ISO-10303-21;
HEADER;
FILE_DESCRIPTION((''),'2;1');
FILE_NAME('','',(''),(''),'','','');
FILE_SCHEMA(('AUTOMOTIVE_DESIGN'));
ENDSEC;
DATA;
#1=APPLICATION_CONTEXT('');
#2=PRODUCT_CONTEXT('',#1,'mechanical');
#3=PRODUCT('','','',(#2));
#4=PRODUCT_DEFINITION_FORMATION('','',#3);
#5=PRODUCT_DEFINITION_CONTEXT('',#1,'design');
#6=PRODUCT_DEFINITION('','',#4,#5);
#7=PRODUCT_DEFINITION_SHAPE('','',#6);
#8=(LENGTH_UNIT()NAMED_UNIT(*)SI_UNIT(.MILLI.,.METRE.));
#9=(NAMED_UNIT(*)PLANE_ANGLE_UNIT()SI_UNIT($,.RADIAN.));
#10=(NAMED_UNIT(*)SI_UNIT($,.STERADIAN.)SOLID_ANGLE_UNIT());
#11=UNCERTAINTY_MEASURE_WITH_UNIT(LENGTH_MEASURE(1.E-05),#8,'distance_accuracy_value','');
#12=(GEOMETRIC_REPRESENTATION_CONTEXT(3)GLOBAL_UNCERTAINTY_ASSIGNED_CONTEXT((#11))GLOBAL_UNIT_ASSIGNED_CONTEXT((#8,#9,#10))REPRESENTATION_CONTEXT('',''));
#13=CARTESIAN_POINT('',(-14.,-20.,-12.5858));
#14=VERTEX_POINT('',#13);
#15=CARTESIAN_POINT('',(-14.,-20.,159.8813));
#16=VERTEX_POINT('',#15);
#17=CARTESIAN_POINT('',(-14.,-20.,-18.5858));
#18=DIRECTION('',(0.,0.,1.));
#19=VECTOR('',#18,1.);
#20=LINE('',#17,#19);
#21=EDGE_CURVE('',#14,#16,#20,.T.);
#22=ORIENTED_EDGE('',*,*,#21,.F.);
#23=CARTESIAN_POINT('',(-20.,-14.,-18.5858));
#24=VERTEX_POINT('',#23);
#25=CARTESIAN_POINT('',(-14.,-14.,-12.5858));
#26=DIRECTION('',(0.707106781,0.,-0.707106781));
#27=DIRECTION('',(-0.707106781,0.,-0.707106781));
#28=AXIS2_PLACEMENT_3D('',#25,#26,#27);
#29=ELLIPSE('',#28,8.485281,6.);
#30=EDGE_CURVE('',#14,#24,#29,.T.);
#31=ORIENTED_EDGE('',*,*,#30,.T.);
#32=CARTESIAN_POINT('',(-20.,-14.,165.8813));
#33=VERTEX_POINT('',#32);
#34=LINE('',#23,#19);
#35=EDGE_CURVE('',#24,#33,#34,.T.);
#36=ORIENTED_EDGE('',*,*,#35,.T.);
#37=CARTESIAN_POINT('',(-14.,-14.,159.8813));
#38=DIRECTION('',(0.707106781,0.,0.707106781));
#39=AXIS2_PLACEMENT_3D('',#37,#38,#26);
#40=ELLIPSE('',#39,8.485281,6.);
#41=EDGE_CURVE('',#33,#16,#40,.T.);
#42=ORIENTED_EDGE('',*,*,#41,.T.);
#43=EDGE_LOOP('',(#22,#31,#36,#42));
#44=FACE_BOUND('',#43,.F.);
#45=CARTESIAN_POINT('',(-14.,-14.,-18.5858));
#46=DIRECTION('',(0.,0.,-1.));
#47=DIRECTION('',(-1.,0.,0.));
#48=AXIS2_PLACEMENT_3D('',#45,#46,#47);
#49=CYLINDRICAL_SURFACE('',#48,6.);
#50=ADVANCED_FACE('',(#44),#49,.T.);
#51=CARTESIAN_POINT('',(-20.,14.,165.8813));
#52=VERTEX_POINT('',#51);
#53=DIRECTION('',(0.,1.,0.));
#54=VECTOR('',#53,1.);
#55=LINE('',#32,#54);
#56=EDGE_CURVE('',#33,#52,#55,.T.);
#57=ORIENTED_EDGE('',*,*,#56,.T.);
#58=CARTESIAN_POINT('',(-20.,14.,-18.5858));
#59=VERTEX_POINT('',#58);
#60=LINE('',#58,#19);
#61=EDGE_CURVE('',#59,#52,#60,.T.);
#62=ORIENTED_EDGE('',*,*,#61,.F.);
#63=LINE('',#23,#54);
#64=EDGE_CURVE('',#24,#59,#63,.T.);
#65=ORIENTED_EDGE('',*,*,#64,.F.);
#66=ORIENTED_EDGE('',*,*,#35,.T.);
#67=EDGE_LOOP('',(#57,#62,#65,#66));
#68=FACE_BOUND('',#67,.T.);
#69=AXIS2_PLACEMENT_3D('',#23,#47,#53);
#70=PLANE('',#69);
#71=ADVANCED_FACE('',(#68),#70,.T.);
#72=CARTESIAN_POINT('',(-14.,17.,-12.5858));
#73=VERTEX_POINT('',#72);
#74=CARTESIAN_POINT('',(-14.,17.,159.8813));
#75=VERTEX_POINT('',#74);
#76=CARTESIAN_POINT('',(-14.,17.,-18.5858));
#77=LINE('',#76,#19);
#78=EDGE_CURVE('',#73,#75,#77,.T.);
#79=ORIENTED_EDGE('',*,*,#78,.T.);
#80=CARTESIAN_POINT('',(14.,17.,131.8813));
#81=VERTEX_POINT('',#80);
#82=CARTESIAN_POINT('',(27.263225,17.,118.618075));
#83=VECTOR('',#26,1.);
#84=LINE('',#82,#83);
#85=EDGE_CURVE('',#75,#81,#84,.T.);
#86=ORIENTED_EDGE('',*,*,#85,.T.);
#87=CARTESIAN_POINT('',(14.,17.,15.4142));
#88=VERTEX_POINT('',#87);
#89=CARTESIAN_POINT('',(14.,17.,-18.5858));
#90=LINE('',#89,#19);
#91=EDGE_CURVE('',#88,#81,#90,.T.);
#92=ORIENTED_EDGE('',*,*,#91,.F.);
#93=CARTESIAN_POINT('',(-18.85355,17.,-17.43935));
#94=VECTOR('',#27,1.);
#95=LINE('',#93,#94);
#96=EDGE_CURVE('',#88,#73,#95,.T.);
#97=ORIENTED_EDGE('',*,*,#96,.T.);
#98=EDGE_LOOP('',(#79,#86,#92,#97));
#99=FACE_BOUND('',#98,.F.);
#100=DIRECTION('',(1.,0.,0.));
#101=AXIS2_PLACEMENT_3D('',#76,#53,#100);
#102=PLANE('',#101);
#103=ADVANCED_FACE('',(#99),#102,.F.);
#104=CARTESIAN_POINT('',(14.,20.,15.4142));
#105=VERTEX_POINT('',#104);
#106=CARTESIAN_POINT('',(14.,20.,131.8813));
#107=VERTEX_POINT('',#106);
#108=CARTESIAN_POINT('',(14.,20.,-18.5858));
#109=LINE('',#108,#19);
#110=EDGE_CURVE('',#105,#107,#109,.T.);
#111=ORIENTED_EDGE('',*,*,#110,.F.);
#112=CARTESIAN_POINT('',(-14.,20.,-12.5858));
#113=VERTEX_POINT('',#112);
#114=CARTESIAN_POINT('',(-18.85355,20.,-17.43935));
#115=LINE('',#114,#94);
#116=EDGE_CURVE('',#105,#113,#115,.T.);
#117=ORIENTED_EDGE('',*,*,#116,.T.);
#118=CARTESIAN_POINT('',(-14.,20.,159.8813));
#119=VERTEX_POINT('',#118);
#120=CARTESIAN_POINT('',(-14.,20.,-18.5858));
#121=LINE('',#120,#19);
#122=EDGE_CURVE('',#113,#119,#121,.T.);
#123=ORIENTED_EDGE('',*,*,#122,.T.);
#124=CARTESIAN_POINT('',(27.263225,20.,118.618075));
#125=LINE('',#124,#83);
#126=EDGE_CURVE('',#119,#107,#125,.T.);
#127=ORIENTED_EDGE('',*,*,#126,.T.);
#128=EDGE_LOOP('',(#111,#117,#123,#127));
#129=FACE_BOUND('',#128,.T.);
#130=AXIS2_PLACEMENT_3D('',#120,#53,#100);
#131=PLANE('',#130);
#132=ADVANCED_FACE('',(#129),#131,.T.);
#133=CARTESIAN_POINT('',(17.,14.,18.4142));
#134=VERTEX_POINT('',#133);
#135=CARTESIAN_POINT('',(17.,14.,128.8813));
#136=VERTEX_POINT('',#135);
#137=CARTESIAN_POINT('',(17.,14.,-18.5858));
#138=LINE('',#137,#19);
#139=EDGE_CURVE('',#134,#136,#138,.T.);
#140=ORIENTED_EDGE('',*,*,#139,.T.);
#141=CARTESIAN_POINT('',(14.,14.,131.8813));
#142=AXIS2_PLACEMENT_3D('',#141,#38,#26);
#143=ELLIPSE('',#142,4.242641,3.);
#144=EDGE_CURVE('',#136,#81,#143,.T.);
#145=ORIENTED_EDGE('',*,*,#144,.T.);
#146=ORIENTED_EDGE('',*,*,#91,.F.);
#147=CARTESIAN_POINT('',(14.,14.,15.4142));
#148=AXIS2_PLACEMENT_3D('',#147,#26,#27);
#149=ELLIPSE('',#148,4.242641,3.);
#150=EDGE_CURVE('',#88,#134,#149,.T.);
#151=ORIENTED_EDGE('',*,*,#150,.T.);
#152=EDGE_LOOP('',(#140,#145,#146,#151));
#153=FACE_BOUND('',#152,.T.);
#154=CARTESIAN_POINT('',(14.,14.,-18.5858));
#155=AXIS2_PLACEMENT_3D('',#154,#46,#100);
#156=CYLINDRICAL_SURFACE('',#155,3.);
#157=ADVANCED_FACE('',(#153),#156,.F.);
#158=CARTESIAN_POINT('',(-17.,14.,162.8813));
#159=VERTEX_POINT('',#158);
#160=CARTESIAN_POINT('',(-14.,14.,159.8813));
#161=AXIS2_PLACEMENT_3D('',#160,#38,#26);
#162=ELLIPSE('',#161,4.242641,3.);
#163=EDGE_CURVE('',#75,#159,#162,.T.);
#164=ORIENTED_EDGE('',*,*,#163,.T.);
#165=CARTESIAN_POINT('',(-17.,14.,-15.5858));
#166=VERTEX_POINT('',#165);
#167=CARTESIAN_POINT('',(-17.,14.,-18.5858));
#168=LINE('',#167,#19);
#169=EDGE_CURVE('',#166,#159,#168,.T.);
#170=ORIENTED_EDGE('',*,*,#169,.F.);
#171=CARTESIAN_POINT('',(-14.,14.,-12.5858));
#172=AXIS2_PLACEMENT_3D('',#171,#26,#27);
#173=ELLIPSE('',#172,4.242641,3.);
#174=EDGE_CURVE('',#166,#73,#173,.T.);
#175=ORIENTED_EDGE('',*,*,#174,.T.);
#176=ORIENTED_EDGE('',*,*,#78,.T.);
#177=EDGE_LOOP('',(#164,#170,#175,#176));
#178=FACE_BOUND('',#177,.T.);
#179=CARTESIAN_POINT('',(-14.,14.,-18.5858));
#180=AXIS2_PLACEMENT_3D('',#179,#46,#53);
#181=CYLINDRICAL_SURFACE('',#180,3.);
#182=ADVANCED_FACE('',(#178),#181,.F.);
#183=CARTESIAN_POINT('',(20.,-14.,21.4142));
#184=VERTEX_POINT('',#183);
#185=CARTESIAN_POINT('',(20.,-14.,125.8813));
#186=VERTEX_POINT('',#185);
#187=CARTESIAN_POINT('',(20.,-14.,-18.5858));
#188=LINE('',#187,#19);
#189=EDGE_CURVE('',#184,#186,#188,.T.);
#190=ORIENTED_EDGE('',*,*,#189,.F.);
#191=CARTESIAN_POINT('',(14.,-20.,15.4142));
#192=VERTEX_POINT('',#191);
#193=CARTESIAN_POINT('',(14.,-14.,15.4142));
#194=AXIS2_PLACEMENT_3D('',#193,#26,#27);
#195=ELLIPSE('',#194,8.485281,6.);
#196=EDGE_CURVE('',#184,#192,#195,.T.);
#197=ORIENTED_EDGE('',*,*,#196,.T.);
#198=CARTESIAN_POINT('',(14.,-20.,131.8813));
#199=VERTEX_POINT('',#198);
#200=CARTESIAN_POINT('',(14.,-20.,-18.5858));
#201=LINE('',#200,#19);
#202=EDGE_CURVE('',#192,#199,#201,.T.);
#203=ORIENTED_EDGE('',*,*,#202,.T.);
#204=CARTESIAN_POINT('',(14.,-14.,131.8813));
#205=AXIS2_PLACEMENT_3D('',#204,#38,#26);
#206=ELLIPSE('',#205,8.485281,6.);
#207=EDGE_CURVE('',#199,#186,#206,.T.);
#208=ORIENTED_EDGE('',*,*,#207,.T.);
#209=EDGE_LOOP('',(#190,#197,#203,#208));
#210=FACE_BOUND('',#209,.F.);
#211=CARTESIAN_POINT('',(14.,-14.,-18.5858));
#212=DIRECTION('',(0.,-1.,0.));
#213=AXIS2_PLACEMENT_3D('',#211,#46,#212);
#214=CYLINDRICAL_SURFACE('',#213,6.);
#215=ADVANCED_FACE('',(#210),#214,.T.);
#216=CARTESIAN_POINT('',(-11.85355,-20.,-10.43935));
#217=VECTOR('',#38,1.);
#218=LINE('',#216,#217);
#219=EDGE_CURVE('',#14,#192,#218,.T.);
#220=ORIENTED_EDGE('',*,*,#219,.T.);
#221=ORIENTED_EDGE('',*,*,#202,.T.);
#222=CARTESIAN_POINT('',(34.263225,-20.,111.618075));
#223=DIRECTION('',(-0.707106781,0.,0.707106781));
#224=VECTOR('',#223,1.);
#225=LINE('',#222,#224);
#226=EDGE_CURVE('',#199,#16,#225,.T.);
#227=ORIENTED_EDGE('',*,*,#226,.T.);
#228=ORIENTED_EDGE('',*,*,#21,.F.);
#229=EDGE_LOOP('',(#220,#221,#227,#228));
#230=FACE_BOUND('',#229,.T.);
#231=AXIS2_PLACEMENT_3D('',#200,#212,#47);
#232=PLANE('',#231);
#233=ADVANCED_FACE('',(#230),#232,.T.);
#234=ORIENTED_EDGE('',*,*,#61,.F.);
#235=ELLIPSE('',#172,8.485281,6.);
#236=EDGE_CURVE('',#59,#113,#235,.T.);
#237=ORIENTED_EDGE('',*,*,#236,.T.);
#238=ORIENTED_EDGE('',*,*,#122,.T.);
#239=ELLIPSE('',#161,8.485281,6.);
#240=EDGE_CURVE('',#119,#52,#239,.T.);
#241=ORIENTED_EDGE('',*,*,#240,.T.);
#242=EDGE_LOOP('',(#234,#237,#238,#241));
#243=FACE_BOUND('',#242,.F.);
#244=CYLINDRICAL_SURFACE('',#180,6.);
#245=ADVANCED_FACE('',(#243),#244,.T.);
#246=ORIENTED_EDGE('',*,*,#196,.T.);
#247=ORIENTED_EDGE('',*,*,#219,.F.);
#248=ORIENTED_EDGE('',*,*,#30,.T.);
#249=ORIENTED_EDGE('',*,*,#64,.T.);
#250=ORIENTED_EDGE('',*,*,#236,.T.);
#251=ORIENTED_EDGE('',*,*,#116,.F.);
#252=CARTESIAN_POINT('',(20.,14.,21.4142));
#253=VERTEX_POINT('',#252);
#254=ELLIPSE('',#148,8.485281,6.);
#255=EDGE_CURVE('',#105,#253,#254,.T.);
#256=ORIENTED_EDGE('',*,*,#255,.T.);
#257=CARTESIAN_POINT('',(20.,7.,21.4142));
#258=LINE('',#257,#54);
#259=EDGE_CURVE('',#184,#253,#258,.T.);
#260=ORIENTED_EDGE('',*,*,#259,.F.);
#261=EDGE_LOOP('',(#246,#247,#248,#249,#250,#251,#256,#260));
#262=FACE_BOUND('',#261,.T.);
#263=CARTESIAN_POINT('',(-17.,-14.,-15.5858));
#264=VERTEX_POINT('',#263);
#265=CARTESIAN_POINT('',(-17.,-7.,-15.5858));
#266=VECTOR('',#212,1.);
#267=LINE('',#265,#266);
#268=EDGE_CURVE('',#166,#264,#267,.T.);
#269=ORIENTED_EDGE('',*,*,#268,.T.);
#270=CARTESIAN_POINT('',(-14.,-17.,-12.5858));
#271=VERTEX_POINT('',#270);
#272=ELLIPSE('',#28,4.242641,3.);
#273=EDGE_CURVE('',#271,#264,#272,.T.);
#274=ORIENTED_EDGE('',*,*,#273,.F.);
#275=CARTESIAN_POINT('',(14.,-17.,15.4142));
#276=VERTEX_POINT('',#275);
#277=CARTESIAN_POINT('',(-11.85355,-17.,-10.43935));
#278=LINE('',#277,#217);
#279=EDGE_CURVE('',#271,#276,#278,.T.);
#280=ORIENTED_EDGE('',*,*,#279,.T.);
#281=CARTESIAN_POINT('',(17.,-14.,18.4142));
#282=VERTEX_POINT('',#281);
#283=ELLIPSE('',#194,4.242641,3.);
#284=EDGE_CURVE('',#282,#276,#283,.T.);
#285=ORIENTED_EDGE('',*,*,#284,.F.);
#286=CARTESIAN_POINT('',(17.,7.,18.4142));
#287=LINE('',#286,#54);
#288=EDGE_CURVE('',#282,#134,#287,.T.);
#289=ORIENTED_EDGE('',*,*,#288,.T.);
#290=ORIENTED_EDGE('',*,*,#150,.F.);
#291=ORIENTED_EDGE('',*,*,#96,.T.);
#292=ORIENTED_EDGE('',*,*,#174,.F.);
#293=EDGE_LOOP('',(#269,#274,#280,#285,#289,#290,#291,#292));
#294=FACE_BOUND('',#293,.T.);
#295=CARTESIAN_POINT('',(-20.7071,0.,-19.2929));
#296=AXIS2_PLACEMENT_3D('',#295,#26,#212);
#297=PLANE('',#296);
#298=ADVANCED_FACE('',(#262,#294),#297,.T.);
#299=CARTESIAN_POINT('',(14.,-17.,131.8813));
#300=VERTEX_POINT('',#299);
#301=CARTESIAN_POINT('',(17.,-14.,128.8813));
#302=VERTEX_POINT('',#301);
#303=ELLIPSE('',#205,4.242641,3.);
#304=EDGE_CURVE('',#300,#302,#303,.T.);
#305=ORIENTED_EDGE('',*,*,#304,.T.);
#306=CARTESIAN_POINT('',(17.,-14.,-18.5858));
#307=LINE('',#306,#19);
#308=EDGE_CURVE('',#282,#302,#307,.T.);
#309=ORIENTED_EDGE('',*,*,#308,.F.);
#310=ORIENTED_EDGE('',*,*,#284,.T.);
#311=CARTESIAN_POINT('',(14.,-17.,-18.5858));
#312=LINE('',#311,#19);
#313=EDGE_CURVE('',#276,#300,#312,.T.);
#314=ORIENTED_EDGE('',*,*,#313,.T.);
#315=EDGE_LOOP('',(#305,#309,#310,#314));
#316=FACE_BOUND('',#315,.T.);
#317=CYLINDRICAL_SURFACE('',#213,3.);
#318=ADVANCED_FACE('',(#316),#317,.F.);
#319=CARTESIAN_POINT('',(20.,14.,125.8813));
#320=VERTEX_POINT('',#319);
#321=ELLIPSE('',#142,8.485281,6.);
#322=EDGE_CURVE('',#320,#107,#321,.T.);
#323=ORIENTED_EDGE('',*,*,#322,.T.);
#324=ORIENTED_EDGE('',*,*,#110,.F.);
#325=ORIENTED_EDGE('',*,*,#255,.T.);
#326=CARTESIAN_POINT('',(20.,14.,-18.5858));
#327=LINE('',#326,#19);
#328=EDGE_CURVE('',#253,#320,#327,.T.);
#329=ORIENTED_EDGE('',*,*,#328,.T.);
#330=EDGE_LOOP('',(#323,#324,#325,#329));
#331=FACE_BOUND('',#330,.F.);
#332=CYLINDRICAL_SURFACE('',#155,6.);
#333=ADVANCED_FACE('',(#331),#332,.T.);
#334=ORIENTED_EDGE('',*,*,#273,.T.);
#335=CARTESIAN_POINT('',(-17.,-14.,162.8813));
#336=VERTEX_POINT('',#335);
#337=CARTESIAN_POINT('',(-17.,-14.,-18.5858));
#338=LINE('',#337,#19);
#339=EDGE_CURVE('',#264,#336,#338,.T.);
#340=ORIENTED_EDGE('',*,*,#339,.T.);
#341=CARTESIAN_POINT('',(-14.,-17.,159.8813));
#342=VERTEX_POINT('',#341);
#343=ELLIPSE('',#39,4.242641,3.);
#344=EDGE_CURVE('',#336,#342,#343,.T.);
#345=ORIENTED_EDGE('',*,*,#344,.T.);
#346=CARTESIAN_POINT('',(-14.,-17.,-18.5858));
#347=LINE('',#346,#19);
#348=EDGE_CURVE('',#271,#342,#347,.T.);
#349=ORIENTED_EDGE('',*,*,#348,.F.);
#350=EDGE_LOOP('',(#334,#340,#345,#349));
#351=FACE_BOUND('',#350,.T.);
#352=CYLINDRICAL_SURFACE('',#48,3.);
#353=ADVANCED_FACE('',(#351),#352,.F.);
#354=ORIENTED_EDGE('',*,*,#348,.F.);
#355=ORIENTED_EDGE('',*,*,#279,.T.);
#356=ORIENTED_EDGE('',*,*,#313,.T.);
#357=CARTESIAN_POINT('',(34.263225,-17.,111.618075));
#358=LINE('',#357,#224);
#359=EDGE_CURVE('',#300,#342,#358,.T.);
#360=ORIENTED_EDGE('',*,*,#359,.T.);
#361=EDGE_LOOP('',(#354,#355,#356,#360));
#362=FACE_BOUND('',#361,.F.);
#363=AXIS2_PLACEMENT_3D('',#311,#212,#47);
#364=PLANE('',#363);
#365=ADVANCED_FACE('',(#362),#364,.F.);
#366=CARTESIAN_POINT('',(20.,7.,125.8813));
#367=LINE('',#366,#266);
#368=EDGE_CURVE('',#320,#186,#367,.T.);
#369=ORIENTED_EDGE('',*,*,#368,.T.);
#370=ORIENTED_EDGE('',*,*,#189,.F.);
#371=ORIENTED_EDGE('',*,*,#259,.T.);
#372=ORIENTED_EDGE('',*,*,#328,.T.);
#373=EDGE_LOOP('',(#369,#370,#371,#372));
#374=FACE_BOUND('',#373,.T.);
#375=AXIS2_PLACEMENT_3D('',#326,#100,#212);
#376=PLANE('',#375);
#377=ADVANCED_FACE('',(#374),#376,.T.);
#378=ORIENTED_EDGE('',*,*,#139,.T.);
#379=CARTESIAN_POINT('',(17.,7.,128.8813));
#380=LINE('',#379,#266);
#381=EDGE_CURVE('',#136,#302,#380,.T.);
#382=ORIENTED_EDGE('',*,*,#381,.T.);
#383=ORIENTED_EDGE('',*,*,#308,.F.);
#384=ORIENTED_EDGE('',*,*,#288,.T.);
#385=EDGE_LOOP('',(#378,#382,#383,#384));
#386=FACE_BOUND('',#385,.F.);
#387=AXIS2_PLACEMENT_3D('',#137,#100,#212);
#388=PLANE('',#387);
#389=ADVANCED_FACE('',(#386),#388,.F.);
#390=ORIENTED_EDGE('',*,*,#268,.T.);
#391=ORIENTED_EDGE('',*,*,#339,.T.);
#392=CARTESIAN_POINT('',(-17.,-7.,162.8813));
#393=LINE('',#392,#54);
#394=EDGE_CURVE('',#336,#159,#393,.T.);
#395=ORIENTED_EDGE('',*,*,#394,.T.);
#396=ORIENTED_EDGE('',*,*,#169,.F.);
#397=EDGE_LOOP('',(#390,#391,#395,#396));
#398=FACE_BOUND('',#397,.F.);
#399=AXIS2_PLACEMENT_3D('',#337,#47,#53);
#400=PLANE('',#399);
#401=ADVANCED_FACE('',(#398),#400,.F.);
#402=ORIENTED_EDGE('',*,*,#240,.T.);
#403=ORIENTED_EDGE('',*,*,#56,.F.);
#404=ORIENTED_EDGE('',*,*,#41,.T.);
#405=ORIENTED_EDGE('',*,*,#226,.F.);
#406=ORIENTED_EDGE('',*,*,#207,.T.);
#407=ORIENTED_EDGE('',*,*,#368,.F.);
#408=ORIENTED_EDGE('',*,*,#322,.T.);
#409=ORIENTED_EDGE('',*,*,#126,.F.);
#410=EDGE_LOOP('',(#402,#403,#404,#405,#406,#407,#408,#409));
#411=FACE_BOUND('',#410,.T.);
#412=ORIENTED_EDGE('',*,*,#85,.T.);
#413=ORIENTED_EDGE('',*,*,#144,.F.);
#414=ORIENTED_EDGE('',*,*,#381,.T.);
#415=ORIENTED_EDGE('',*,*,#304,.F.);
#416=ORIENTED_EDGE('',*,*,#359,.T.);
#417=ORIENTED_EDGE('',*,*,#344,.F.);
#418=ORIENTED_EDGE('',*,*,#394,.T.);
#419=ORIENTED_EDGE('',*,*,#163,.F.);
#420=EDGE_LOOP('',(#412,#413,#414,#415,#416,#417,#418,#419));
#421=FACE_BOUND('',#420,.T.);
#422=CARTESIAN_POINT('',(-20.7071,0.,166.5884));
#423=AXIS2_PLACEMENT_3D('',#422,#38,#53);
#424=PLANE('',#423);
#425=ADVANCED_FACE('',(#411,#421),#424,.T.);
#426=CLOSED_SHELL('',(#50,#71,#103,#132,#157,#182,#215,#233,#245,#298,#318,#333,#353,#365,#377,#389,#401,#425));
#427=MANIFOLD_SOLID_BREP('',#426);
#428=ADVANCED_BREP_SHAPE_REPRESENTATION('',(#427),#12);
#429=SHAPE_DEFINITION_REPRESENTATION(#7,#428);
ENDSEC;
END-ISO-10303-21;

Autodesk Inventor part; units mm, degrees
ref_plane "Start Plane" through (0, 0, -18.5858) normal (0, 0, 1) x (1, 0, 0)
ref_plane "End Plane" through (0, 0, 165.8813) normal (0, 0, 1) x (1, 0, 0)
sketch "Sketch" plane through (0, 0, 0) normal (0, 0, 1) x (1, 0, 0)
  line L0 (-20, -14) -> (-20, 14)
  line L1 (-14, 20) -> (14, 20)
  line L2 (20, 14) -> (20, -14)
  line L3 (14, -20) -> (-14, -20)
  arc A0 (-20, -14) -> (-14, -20) centre (-14, -14) ccw
  arc A1 (20, 14) -> (14, 20) centre (14, 14) ccw
  arc A2 (-14, 20) -> (-20, 14) centre (-14, 14) ccw
  arc A3 (14, -20) -> (20, -14) centre (14, -14) ccw
  arc A4 (-14, 17) -> (-17, 14) centre (-14, 14) ccw
  line L4 (-14, 17) -> (14, 17)
  arc A5 (17, 14) -> (14, 17) centre (14, 14) ccw
  line L5 (17, 14) -> (17, -14)
  arc A6 (14, -17) -> (17, -14) centre (14, -14) ccw
  line L6 (14, -17) -> (-14, -17)
  arc A7 (-17, -14) -> (-14, -17) centre (-14, -14) ccw
  line L7 (-17, -14) -> (-17, 14)
  line L8 (0, 29.7397) -> (0, -29.7397) construction
  line L9 (-29.7397, 0) -> (29.7397, 0) construction
  dimension "d7" = 6
  dimension "d9" = 40
  dimension "d11" = 40
  dimension "d12" = 3
  dimension "d15" = 20
  dimension "d16" = 20
extrude "Body" add sketch "Sketch" along normal up to surface (184.4671 mm away) from surface at -18.5858
sketch "Sketch3" plane through (0, 0, 0) normal (0, 0, 1) x (1, 0, 0)
  line L0 (0, 0) -> (10, 0)
ref_plane "Work Plane3" through (0, 0, 0) normal (0, -1, 0) x (1, 0, 0)
ref_plane "Work Plane4" through (-20.7071, 0, 166.5884) normal (0.7071, 0, 0.7071) x (0.7071, 0, -0.7071)
split "Split1" plane through (-20.7071, 0, 166.5884) removes the side toward (0.7071, 0, 0.7071)
ref_plane "Work Plane5" through (-20.7071, 0, -19.2929) normal (0.7071, 0, -0.7071) x (-0.7071, 0, -0.7071)
split "Split2" plane through (-20.7071, 0, -19.2929) removes the side toward (0.7071, 0, -0.7071)
sketch "Sketch4" plane through (0, 0, 0) normal (0, -1, 0) x (1, 0, 0)
  line L0 (-2, -18.5858) -> (12, -18.5858) projected
  line L1 (-2, 165.8813) -> (12, 165.8813) projected
  dimension "d18" = 184.4671
equation "\"d7\" = G_IR"
equation "\"d9\" = G_W"
equation "\"d11\" = G_H"
equation "\"d12\" = G_T"
equation "\"d15\" = 0.5 * d9"
equation "\"d16\" = 0.5 * d11"
equation "\"d3\" = G_L"
equation "\"G_W\" = 40"
equation "\"G_H\" = 40"
equation "\"G_T\" = 3"
equation "\"G_IR\" = 6"
equation "\"G_L\" = d18"
equation "\"G_OFFSET_START\" = 18.58579"
equation "\"G_OFFSET_END\" = 18.58579"
equation "\"d13\" = -G_OFFSET_START"
equation "\"d14\" = G_OFFSET_END + B_L"
equation "\"B_L\" = 147.29549"
properties part number "ISO 10799-2 - 40x40x3 - 184,47" material "Steel, Mild"
